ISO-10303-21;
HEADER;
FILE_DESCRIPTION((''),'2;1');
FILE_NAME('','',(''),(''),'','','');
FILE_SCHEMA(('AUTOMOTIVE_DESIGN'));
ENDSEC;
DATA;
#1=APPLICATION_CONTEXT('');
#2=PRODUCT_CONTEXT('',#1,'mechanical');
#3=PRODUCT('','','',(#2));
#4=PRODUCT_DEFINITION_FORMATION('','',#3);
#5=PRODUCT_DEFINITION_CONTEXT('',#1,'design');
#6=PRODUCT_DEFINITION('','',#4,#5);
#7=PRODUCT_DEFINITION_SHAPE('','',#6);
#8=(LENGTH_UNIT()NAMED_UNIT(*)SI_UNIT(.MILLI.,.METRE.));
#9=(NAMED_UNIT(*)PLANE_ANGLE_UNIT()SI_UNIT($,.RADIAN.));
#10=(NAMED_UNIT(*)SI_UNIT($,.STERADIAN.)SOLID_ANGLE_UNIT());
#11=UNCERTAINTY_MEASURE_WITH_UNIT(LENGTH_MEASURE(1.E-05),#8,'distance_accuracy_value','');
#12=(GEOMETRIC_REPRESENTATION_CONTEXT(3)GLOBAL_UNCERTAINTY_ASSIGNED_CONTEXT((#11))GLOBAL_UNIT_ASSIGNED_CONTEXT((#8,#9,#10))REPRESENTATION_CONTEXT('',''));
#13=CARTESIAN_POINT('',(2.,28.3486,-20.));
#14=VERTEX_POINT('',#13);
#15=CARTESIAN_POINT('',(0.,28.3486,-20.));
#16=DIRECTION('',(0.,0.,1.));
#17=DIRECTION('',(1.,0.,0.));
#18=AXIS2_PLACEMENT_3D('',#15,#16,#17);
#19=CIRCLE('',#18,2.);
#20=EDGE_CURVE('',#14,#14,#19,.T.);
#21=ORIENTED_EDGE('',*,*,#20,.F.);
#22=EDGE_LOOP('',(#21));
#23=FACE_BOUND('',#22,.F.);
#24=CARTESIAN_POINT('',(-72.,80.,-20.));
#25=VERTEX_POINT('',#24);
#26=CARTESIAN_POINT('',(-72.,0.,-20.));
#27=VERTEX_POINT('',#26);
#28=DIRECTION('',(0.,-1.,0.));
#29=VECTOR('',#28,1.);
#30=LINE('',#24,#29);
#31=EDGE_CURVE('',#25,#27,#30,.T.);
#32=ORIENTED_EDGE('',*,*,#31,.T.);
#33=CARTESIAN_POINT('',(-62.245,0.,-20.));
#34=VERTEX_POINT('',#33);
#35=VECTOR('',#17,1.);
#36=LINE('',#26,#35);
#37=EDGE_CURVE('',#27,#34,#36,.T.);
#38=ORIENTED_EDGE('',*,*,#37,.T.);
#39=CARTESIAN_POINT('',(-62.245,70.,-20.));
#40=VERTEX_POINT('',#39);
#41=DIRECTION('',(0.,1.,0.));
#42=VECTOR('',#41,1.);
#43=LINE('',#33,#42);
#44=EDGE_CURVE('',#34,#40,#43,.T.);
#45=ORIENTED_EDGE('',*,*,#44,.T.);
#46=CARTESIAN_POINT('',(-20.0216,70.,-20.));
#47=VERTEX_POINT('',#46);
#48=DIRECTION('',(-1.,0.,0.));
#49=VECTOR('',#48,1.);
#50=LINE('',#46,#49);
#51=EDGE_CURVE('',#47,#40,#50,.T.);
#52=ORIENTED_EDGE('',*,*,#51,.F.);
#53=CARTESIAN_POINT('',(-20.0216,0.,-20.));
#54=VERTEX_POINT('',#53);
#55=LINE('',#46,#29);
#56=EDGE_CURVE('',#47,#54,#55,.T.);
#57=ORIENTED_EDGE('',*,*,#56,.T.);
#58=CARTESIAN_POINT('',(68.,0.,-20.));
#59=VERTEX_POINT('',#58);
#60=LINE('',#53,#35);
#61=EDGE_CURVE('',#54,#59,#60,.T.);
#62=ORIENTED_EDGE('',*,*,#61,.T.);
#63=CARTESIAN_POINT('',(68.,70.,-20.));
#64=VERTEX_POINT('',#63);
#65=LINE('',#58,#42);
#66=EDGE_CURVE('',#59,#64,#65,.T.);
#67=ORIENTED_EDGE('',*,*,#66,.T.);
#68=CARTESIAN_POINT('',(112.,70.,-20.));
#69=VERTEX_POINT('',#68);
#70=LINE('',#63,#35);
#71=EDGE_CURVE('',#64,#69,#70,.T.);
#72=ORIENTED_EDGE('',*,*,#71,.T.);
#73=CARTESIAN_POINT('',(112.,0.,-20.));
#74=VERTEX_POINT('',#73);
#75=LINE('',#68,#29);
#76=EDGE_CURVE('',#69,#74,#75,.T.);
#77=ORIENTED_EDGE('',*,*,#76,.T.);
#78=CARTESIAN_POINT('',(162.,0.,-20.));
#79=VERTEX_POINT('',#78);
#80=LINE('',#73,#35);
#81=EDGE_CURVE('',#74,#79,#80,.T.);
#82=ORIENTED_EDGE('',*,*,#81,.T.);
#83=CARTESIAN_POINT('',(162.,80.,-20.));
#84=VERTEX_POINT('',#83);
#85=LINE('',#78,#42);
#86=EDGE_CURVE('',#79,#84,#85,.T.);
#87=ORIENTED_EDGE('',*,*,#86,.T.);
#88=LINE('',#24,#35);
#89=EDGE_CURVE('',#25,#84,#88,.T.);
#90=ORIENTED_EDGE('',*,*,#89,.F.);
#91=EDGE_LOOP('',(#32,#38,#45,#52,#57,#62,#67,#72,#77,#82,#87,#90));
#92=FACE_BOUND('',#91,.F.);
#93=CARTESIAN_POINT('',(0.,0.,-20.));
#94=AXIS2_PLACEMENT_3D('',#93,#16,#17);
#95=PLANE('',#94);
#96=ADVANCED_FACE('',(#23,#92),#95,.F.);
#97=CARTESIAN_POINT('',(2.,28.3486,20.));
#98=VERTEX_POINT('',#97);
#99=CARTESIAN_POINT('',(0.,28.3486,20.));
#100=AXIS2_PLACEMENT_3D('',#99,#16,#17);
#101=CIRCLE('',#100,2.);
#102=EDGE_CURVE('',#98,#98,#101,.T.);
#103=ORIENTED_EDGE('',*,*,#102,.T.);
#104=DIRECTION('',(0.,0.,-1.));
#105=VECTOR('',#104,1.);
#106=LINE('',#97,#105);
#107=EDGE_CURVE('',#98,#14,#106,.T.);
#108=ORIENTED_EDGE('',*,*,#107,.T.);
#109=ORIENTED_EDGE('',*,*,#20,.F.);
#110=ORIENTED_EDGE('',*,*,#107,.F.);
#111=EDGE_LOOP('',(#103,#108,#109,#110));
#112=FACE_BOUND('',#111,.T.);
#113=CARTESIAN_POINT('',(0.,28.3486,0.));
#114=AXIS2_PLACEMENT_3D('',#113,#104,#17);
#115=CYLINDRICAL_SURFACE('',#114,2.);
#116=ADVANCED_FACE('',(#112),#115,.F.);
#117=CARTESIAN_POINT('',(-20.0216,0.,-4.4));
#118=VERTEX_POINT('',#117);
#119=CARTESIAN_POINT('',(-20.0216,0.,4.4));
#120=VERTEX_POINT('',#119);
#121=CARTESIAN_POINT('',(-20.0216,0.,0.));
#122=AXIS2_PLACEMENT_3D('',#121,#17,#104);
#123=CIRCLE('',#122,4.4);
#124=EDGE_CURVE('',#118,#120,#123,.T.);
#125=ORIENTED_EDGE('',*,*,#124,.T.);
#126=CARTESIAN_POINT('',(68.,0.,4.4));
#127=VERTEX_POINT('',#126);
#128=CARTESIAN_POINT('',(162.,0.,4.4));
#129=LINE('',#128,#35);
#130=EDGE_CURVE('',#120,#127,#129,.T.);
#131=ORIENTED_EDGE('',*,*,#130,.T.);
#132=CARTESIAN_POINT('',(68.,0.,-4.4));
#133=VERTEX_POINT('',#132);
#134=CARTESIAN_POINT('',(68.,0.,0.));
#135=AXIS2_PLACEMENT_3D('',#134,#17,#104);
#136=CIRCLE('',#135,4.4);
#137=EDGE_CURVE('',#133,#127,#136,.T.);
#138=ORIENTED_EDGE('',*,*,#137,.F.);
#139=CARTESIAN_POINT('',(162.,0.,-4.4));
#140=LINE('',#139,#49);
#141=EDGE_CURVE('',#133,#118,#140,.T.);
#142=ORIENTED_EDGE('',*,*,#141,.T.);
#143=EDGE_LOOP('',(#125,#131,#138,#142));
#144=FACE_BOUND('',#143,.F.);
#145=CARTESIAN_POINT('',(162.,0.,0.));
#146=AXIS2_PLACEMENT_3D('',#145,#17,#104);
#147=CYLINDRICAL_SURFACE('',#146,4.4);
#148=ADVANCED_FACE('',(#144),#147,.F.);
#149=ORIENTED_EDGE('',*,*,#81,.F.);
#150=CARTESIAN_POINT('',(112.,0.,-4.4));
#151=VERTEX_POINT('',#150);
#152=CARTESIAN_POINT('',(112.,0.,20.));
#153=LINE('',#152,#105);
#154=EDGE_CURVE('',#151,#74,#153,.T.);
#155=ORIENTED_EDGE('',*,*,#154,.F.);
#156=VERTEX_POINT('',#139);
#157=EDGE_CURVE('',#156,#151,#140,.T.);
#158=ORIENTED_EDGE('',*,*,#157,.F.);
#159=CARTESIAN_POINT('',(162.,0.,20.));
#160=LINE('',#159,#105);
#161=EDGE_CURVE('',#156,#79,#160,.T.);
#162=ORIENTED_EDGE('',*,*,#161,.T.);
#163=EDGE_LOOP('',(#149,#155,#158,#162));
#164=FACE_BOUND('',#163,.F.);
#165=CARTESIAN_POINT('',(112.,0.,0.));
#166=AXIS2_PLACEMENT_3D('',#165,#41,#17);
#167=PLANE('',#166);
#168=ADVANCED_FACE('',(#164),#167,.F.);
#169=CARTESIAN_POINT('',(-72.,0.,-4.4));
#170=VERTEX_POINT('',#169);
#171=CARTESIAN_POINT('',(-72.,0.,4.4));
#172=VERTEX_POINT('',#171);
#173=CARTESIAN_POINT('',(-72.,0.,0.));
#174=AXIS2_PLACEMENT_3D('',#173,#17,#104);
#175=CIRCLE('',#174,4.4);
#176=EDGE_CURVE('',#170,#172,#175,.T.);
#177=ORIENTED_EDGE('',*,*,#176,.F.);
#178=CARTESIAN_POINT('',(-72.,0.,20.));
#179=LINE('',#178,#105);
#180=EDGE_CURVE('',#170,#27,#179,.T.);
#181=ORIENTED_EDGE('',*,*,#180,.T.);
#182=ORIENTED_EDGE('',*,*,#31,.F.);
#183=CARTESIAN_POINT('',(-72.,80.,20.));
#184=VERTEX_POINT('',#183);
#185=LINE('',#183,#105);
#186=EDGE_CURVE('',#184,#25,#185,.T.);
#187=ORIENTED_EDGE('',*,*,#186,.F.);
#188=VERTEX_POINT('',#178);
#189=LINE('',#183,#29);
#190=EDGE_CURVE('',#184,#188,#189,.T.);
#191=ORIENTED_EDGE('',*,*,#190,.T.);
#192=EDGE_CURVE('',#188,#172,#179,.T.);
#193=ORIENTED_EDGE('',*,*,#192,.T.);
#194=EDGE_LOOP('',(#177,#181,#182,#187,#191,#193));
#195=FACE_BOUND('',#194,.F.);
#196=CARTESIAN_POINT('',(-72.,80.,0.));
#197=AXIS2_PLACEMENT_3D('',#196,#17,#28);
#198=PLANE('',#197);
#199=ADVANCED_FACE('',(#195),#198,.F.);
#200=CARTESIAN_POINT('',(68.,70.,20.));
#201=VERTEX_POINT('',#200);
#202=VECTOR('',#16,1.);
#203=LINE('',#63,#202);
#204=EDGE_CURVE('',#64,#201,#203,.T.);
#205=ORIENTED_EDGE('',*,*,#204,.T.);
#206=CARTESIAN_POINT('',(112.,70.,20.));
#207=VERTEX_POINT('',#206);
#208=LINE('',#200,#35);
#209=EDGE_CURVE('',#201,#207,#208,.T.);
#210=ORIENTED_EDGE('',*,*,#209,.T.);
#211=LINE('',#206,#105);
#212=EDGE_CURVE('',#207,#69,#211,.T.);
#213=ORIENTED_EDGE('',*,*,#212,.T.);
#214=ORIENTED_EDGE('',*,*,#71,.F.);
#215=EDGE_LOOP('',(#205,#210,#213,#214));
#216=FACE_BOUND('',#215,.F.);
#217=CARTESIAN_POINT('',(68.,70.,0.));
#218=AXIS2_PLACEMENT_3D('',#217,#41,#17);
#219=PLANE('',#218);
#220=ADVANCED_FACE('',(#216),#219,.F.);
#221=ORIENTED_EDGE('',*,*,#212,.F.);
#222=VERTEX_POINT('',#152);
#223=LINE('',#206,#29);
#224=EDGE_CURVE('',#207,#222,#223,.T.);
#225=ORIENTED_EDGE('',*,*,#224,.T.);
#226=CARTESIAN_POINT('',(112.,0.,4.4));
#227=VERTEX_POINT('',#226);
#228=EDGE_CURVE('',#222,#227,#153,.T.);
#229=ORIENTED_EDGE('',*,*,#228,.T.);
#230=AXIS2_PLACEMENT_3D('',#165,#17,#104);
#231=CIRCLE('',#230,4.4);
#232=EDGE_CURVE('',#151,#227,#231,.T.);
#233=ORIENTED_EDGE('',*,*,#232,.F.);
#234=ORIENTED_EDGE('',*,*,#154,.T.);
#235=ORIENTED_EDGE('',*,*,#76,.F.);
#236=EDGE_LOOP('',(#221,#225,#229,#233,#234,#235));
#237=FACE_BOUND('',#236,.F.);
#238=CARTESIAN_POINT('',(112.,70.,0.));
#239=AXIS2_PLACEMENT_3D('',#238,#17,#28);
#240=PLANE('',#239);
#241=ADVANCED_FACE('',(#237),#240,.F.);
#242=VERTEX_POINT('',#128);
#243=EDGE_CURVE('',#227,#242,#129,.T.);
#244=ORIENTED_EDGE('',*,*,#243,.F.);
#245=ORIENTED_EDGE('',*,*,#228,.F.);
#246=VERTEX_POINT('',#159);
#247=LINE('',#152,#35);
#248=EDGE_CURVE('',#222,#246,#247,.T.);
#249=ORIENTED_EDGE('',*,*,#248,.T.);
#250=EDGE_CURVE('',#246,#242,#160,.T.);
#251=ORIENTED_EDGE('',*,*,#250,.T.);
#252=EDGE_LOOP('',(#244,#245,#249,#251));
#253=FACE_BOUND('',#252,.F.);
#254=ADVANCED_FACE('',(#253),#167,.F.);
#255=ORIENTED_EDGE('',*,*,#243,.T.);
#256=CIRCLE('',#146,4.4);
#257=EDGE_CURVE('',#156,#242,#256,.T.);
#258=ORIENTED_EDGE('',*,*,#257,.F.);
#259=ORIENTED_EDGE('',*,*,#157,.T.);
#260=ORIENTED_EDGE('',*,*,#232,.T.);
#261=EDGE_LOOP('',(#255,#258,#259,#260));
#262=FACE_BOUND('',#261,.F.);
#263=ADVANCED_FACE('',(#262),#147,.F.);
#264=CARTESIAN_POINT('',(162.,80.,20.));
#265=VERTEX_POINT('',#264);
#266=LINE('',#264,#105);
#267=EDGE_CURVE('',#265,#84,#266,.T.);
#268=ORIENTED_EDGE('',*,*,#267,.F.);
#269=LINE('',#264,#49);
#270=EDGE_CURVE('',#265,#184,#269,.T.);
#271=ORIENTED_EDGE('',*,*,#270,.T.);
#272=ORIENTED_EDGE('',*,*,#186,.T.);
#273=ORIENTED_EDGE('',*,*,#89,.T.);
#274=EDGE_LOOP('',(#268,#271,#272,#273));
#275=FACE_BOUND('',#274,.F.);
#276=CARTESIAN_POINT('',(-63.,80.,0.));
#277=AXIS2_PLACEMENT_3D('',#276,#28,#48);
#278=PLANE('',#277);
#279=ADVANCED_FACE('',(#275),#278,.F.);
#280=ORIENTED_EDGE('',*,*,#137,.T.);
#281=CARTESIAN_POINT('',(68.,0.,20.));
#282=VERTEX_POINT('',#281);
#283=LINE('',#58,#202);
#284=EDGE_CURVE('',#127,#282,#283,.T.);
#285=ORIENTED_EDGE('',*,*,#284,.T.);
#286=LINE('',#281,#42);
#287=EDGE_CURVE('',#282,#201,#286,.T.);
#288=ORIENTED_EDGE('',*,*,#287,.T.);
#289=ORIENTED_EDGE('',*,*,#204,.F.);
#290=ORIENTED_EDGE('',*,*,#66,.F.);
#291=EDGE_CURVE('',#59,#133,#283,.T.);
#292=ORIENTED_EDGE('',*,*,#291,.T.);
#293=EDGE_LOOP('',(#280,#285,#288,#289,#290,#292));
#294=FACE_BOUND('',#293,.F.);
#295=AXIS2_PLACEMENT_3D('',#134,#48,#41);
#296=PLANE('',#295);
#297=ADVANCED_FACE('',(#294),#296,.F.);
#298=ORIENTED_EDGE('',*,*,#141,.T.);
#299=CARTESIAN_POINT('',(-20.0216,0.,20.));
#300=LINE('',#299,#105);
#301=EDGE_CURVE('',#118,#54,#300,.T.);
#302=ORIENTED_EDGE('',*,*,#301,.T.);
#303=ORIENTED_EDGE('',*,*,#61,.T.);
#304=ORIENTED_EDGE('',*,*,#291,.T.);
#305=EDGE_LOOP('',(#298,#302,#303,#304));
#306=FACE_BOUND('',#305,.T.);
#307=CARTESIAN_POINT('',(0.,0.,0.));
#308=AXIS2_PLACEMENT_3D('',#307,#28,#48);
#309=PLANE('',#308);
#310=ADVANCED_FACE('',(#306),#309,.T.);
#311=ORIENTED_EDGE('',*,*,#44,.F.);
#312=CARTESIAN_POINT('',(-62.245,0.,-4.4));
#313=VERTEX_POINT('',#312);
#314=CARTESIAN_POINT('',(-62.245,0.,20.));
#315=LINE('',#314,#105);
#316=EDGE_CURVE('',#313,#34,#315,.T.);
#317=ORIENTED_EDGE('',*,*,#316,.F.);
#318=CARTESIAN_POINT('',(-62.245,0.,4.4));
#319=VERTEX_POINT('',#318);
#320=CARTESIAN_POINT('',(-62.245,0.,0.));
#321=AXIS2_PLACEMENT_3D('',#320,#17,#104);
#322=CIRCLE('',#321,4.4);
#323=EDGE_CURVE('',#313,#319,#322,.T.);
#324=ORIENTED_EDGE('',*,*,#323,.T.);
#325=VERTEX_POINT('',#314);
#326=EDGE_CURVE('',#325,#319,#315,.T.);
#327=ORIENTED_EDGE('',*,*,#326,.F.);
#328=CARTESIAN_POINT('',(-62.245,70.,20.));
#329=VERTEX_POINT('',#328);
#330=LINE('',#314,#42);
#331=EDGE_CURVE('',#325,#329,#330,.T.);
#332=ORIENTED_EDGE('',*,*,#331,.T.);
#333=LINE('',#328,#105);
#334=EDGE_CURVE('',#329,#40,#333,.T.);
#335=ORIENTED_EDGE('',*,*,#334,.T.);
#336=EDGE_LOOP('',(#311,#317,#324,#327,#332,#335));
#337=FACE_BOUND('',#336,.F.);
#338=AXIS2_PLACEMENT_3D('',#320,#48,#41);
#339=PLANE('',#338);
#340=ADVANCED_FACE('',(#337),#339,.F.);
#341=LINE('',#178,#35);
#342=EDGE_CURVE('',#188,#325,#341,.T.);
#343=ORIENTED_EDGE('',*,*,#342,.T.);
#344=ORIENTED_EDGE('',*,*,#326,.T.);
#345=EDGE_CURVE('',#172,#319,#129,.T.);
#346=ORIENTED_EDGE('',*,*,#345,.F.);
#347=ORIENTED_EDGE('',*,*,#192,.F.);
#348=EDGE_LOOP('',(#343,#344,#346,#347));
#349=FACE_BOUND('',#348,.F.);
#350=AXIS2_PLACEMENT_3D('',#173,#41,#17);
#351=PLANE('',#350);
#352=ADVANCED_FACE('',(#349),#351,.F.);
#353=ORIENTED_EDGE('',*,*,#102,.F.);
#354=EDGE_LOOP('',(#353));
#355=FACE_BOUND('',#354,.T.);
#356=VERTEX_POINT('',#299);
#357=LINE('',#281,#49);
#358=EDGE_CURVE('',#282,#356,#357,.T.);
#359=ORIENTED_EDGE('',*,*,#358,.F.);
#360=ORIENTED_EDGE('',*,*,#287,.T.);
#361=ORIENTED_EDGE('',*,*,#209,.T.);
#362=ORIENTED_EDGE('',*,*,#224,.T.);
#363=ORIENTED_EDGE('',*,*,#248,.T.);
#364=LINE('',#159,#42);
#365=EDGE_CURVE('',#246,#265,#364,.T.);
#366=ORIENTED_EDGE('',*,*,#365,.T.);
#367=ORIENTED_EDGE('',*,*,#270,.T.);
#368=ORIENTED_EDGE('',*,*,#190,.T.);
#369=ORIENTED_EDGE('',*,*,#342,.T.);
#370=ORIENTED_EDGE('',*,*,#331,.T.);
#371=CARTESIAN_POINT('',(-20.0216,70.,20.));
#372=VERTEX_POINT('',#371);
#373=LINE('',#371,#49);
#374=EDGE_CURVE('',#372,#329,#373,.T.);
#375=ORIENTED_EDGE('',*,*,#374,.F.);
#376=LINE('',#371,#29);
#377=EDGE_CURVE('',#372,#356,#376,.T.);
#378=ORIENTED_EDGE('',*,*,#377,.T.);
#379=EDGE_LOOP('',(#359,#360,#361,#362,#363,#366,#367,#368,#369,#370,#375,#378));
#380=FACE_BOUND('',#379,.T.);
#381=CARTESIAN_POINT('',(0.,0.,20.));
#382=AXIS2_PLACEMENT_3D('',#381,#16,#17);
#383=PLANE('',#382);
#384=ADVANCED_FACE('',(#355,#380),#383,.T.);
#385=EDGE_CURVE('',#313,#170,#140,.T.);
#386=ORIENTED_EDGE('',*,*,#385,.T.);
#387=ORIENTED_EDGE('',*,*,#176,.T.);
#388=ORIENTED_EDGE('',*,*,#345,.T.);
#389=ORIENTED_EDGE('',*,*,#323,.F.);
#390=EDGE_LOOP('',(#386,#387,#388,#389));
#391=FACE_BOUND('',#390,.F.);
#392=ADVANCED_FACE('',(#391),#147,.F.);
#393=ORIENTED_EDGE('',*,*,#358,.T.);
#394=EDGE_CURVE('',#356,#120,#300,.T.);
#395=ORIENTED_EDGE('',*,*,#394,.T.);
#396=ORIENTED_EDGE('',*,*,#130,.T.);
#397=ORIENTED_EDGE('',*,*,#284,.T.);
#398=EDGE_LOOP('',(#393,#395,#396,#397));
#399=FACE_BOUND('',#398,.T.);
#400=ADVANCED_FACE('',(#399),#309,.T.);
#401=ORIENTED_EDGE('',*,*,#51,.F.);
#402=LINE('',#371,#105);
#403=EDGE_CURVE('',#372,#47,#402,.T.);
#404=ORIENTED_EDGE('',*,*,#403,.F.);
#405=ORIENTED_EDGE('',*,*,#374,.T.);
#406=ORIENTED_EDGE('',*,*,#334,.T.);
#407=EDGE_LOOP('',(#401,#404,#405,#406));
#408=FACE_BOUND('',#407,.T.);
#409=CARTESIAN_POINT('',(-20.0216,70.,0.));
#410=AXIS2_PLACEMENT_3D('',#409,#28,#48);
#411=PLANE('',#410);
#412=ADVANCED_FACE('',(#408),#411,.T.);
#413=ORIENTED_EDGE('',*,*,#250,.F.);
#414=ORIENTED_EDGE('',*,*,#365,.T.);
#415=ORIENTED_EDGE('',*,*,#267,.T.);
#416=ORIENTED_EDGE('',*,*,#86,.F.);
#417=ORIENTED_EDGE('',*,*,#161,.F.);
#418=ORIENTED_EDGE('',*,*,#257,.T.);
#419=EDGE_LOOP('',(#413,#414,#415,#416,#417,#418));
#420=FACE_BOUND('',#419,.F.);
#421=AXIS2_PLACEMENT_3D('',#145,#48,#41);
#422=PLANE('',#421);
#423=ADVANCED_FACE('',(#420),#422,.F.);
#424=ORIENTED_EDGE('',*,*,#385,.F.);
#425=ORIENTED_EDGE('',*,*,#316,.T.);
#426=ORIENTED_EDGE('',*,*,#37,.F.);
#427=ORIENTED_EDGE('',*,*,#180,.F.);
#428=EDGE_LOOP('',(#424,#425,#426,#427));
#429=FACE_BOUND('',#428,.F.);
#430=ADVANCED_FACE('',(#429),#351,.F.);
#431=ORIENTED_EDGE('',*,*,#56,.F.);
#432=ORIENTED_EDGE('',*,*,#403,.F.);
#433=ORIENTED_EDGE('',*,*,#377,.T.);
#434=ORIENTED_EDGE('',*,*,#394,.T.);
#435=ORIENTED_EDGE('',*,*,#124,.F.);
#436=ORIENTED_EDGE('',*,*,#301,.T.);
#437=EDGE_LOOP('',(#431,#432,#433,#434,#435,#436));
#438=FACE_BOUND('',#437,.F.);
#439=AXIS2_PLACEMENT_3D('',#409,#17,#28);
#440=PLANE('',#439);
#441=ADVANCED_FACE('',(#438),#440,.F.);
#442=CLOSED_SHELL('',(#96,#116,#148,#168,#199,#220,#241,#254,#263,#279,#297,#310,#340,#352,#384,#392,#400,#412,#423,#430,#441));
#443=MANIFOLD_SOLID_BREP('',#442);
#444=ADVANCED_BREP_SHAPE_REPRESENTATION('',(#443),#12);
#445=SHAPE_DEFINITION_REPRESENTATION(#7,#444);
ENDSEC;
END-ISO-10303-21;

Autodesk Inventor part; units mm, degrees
ref_plane "YZ Plane" through (0, 0, 0) normal (1, 0, 0) x (0, 1, 0)
ref_plane "XZ Plane" through (0, 0, 0) normal (0, 1, 0) x (-1, 0, 0)
ref_plane "XY Plane" through (0, 0, 0) normal (0, 0, 1) x (1, 0, 0)
sketch "Sketch1" plane through (0, 0, 0) normal (0, 0, 1) x (1, 0, 0)
  line L0 (0, 0) -> (68, 0)
  line L1 (68, 0) -> (68, 70)
  line L2 (68, 80) -> (112, 80)
  line L3 (112, 70) -> (112, 0)
  line L4 (112, 0) -> (162, 0)
  line L5 (162, 0) -> (162, 80)
  line L6 (162, 80) -> (68, 80)
  line L7 (68, 70) -> (112, 70)
  line L8 (68, 80) -> (-17, 80)
  line L9 (-17, 80) -> (-63, 80)
  line L10 (-63, 80) -> (-72, 80)
  line L11 (-72, 80) -> (-72, 0)
  line L12 (-72, 0) -> (-62.245, 0)
  line L13 (0, 0) -> (-17, 0)
  line L14 (-20.0216, 70) -> (-62.245, 70)
  line L15 (-20.0216, 70) -> (-20.0216, 0)
  line L16 (-20.0216, 0) -> (-17, 0)
  circle A0 centre (0, 28.3486) radius 2
  line L17 (-62.245, 0) -> (-62.245, 70)
  line L18 (-20.0216, 0) -> (68, 0)
  dimension "d6" = 46
  dimension "d7" = 9
  dimension "d8" = 4
extrude "Extrusion1" add sketch "Sketch1" along normal mid plane 40
sketch "Sketch2" plane through (162, 0, 20) normal (1, 0, 0) x (0, 0, -1)
  circle A0 centre (20, 0) radius 4.4
  dimension "d11" = 8.8
extrude "Extrusion2" cut sketch "Sketch2" against normal blind 1600
properties part number "Arm_BaseV2"
